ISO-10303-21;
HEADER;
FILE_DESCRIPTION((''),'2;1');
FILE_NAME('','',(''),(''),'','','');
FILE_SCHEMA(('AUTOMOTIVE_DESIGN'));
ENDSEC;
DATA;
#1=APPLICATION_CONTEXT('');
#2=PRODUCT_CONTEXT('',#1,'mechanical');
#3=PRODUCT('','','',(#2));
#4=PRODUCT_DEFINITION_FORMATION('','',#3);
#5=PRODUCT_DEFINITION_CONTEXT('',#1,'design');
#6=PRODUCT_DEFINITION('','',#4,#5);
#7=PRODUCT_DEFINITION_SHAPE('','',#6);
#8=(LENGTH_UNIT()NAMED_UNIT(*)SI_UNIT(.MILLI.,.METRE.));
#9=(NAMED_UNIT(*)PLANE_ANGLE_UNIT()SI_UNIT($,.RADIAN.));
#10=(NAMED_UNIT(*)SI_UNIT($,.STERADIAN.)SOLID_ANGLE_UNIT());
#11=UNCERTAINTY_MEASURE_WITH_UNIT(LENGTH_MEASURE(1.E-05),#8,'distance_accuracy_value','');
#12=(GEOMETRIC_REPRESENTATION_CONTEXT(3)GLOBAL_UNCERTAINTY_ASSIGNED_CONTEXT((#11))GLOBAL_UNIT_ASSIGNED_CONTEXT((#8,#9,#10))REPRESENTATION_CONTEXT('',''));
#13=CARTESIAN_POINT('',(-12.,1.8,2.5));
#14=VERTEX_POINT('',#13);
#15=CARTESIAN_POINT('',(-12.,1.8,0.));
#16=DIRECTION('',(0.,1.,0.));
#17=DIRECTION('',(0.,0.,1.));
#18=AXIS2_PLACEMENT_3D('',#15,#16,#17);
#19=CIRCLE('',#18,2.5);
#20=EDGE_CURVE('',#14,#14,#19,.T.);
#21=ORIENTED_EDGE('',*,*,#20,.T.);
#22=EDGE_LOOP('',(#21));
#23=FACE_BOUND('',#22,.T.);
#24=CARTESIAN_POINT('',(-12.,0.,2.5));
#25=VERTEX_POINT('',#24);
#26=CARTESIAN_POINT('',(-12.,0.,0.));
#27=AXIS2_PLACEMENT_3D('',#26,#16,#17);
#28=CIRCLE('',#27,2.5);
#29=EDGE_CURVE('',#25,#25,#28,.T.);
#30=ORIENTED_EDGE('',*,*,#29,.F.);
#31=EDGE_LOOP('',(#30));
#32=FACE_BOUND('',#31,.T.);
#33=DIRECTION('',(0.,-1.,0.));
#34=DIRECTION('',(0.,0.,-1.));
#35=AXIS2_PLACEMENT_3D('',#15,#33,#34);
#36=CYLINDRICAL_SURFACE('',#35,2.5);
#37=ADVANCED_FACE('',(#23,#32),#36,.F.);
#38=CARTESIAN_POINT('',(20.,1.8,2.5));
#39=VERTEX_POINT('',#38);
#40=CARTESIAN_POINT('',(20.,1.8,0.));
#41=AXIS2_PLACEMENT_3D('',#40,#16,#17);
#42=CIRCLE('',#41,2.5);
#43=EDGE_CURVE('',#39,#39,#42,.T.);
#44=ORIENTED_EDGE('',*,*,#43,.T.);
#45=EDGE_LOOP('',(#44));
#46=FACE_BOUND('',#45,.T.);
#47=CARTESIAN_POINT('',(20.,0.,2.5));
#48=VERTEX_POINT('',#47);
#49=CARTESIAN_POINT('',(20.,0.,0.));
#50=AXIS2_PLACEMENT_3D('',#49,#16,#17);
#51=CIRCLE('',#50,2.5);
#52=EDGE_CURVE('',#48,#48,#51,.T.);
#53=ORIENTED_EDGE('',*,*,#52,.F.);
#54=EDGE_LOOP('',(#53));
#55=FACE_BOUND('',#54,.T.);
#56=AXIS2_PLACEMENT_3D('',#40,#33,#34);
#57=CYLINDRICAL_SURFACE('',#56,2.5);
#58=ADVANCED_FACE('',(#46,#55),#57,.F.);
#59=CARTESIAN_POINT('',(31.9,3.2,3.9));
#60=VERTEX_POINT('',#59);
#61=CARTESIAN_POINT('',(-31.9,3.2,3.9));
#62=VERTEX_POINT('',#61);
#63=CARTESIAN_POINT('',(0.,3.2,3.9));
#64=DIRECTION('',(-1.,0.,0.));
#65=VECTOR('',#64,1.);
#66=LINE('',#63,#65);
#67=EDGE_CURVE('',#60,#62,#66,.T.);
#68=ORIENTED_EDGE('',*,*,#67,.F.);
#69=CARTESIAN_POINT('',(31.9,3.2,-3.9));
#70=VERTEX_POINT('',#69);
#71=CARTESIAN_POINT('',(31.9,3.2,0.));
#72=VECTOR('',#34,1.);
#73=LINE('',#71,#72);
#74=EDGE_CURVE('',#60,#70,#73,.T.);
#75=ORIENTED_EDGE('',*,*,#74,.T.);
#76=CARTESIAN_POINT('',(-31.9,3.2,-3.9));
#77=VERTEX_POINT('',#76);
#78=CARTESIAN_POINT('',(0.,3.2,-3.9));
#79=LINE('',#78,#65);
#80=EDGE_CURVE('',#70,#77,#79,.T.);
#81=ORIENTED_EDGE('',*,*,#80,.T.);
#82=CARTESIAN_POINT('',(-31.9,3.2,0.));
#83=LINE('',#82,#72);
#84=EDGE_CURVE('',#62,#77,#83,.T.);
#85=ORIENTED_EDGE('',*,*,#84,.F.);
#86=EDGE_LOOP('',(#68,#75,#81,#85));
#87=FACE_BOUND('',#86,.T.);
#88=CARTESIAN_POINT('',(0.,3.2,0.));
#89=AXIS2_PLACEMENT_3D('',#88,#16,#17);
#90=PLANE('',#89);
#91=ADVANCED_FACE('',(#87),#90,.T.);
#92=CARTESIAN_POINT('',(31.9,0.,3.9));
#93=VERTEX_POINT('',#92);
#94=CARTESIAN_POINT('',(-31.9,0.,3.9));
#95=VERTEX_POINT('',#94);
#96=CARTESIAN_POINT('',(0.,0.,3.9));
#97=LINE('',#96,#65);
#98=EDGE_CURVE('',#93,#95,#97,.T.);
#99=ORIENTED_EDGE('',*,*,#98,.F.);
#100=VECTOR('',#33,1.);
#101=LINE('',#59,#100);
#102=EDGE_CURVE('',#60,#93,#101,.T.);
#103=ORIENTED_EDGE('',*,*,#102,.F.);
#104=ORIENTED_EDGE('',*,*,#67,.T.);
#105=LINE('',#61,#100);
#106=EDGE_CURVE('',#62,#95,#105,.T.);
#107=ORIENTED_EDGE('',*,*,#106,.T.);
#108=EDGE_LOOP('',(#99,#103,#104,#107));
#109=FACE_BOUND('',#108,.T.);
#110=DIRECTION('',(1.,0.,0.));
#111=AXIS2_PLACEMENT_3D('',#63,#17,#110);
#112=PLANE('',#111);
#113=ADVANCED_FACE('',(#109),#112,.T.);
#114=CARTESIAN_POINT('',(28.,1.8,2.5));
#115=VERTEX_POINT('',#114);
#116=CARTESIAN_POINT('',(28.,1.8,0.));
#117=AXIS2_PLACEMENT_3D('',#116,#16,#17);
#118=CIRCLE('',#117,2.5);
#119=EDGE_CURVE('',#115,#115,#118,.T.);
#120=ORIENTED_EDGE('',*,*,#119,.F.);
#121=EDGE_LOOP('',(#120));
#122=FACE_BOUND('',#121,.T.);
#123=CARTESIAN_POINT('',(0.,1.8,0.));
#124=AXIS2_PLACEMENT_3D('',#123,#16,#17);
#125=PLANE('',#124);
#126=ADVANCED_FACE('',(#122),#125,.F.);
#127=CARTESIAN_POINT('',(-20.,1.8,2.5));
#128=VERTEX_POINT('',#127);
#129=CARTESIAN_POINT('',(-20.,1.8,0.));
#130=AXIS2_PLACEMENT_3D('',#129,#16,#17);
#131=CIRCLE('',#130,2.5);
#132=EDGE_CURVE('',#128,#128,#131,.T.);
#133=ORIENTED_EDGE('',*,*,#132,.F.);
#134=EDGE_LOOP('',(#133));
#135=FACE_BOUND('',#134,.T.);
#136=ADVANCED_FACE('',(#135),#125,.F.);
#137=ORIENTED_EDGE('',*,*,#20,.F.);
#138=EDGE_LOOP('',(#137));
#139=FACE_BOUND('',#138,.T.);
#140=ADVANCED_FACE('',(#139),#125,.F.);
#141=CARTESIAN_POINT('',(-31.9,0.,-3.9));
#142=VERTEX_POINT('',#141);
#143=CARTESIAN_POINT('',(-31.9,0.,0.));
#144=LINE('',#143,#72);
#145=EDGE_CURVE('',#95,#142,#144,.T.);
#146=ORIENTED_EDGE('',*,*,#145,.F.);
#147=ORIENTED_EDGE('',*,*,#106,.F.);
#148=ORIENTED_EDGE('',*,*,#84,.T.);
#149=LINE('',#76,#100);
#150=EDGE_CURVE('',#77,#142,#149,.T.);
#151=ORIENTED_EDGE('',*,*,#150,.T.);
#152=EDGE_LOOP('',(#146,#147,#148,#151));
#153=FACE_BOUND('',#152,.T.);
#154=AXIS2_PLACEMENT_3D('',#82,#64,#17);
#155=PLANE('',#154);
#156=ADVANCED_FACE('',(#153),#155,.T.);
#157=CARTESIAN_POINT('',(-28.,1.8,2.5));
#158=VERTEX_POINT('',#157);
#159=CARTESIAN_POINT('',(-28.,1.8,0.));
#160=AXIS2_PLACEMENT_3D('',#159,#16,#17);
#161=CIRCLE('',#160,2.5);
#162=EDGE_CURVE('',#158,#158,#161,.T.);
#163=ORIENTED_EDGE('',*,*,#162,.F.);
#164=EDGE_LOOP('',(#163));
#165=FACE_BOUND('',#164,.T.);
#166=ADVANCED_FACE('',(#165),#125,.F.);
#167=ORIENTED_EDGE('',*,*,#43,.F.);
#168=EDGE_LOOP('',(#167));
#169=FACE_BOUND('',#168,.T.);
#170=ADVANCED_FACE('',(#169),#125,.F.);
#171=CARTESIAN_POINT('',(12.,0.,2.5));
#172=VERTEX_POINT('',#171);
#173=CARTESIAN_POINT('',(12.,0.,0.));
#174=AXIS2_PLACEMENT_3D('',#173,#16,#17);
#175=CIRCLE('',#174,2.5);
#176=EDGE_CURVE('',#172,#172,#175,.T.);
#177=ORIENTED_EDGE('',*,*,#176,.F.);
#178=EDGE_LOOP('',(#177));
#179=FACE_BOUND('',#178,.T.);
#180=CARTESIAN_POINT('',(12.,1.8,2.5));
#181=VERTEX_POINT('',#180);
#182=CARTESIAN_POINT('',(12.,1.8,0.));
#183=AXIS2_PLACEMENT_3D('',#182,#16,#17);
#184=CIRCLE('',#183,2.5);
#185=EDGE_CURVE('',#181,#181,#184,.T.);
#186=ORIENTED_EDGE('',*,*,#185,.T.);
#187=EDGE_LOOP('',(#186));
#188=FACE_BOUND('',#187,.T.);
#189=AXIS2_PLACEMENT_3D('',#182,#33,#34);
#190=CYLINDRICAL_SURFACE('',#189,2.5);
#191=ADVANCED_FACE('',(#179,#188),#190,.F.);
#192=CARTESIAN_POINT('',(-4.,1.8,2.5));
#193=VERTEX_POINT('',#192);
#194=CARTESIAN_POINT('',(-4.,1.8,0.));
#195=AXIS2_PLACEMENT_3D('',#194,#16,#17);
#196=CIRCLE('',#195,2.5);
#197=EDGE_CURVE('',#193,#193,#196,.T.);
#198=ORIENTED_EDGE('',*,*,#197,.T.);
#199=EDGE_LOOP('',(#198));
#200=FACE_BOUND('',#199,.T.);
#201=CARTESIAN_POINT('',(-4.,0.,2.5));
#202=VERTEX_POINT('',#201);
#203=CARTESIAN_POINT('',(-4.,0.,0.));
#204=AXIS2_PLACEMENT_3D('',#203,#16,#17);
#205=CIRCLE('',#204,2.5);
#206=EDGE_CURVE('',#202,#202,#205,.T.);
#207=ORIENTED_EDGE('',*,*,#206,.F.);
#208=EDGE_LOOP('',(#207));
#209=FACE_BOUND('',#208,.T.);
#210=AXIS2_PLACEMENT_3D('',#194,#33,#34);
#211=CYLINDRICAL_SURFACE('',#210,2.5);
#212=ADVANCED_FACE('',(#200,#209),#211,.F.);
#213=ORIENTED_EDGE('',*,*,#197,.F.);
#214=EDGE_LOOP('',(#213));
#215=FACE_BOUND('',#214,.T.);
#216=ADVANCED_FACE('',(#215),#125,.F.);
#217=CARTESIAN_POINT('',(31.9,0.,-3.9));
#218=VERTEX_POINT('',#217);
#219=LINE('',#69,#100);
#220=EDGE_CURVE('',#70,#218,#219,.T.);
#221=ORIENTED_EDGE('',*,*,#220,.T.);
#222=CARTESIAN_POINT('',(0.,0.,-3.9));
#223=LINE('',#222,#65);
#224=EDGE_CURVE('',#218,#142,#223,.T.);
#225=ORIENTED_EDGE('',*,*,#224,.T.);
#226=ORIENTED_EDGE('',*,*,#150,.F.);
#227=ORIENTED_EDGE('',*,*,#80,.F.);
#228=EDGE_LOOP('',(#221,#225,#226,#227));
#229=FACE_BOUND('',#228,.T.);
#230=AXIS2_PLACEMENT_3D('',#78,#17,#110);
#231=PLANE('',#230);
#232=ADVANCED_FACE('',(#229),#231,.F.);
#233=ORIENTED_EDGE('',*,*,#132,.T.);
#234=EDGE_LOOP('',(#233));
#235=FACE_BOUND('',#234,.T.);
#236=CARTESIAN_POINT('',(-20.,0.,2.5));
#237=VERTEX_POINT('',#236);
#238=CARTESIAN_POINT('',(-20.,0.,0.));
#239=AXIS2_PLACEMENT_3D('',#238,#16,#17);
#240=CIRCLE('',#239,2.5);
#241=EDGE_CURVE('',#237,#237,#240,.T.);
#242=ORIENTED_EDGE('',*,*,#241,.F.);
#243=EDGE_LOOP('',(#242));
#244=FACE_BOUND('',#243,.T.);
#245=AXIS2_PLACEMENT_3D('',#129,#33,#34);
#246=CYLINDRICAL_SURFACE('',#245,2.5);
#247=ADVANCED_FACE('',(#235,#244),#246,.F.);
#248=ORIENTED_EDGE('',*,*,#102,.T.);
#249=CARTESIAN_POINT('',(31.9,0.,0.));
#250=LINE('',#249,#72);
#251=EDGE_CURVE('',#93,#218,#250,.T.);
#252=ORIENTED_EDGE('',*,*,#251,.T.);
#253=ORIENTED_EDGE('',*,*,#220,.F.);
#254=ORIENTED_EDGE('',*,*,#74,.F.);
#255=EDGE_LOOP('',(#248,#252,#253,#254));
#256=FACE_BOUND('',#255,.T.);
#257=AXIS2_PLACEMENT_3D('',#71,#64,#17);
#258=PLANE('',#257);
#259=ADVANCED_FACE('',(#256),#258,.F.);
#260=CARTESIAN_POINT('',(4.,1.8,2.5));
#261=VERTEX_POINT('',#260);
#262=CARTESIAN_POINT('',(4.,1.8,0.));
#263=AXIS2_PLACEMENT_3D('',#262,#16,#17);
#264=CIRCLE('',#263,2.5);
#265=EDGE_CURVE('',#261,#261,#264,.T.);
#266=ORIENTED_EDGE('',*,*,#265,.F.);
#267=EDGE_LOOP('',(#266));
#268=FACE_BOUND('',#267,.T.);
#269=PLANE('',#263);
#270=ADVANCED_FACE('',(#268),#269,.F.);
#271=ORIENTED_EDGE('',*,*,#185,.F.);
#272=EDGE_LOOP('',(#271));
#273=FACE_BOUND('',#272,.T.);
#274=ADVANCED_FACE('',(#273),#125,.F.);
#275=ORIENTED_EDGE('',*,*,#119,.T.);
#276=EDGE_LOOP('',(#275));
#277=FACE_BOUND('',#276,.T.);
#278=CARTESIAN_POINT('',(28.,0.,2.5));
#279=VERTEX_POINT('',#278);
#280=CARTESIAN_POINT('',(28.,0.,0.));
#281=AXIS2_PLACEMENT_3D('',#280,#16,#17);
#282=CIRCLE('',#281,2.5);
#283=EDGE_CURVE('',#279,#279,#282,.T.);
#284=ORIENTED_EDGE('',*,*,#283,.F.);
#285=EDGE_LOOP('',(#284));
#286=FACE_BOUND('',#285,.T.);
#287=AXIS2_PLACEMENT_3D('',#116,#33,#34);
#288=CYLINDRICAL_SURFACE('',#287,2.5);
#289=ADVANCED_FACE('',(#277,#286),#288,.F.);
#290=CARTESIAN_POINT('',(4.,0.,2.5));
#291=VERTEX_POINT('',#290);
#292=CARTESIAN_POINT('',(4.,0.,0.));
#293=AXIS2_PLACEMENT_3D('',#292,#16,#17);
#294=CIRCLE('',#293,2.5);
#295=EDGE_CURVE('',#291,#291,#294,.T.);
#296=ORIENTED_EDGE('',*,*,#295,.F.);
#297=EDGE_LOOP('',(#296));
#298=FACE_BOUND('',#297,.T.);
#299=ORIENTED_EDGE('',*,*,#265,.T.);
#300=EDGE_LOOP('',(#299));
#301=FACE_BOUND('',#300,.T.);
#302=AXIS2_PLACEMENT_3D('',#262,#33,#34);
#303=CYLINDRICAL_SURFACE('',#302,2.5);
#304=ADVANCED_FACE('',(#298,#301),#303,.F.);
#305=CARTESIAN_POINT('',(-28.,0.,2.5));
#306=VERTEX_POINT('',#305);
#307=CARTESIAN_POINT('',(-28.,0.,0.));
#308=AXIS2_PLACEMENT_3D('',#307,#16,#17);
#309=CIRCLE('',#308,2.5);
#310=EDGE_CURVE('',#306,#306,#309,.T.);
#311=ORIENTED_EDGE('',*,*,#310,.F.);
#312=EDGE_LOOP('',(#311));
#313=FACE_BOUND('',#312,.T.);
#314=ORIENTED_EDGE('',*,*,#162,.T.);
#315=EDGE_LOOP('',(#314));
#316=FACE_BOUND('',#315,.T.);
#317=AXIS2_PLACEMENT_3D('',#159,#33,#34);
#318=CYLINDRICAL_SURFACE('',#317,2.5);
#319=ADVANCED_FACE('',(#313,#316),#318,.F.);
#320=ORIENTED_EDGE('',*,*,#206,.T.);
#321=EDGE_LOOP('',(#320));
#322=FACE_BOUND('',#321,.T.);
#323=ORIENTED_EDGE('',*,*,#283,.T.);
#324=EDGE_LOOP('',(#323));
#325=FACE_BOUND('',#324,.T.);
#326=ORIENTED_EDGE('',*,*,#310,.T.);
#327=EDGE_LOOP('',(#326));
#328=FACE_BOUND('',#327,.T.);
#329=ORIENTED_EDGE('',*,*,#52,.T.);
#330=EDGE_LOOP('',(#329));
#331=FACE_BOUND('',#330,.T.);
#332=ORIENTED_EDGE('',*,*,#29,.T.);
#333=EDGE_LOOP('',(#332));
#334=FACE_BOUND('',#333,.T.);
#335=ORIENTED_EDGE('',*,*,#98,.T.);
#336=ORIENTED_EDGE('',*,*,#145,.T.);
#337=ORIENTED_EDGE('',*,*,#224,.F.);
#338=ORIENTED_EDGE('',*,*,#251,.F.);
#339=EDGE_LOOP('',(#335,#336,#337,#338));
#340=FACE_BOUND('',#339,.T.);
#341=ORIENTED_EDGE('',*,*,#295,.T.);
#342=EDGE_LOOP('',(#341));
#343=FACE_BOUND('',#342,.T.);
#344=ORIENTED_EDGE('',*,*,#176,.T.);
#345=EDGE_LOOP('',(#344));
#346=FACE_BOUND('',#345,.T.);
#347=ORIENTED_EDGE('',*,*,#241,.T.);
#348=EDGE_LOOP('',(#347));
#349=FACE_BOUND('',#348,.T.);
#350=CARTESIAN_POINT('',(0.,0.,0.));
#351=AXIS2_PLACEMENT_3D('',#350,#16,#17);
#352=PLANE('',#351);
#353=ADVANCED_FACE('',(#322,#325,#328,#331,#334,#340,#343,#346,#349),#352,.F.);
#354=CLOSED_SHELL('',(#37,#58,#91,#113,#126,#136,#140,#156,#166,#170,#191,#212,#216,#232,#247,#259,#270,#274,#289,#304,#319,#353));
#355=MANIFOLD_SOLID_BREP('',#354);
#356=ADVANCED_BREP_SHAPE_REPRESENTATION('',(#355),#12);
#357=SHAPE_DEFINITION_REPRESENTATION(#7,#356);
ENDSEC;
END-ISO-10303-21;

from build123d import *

# Parameters (mm, degrees)
SKETCH_1_W          = 63.8
SKETCH_1_H          = 7.8
EXTRUDE_2_DEPTH     = 3.2
SKETCH_1_7_R        = 2.5
CUT_EXTRUDE_4_DEPTH = 1.8


with BuildPart() as part:
    # Эскиз1 → Бобышка-Вытянуть2 (new body)
    with BuildSketch(Plane(origin=(0, 0, 0), x_dir=(1, 0, 0), z_dir=(0, 1, 0))):
        Rectangle(SKETCH_1_W, SKETCH_1_H)
    extrude(amount=EXTRUDE_2_DEPTH)

    # Эскиз1<7> → Вырез-Вытянуть4 (cut)
    with BuildSketch(Plane(origin=(0, 0, 0), x_dir=(1, 0, 0), z_dir=(0, 1, 0))):
        with Locations((-28, 0)):
            Circle(SKETCH_1_7_R)
        with Locations((-20, 0)):
            Circle(SKETCH_1_7_R)
        with Locations((-12, 0)):
            Circle(SKETCH_1_7_R)
        with Locations((-4, 0)):
            Circle(SKETCH_1_7_R)
        with Locations((4, 0)):
            Circle(SKETCH_1_7_R)
        with Locations((12, 0)):
            Circle(SKETCH_1_7_R)
        with Locations((20, 0)):
            Circle(SKETCH_1_7_R)
        with Locations((28, 0)):
            Circle(SKETCH_1_7_R)
    extrude(amount=CUT_EXTRUDE_4_DEPTH, mode=Mode.SUBTRACT)


solid = part.part
